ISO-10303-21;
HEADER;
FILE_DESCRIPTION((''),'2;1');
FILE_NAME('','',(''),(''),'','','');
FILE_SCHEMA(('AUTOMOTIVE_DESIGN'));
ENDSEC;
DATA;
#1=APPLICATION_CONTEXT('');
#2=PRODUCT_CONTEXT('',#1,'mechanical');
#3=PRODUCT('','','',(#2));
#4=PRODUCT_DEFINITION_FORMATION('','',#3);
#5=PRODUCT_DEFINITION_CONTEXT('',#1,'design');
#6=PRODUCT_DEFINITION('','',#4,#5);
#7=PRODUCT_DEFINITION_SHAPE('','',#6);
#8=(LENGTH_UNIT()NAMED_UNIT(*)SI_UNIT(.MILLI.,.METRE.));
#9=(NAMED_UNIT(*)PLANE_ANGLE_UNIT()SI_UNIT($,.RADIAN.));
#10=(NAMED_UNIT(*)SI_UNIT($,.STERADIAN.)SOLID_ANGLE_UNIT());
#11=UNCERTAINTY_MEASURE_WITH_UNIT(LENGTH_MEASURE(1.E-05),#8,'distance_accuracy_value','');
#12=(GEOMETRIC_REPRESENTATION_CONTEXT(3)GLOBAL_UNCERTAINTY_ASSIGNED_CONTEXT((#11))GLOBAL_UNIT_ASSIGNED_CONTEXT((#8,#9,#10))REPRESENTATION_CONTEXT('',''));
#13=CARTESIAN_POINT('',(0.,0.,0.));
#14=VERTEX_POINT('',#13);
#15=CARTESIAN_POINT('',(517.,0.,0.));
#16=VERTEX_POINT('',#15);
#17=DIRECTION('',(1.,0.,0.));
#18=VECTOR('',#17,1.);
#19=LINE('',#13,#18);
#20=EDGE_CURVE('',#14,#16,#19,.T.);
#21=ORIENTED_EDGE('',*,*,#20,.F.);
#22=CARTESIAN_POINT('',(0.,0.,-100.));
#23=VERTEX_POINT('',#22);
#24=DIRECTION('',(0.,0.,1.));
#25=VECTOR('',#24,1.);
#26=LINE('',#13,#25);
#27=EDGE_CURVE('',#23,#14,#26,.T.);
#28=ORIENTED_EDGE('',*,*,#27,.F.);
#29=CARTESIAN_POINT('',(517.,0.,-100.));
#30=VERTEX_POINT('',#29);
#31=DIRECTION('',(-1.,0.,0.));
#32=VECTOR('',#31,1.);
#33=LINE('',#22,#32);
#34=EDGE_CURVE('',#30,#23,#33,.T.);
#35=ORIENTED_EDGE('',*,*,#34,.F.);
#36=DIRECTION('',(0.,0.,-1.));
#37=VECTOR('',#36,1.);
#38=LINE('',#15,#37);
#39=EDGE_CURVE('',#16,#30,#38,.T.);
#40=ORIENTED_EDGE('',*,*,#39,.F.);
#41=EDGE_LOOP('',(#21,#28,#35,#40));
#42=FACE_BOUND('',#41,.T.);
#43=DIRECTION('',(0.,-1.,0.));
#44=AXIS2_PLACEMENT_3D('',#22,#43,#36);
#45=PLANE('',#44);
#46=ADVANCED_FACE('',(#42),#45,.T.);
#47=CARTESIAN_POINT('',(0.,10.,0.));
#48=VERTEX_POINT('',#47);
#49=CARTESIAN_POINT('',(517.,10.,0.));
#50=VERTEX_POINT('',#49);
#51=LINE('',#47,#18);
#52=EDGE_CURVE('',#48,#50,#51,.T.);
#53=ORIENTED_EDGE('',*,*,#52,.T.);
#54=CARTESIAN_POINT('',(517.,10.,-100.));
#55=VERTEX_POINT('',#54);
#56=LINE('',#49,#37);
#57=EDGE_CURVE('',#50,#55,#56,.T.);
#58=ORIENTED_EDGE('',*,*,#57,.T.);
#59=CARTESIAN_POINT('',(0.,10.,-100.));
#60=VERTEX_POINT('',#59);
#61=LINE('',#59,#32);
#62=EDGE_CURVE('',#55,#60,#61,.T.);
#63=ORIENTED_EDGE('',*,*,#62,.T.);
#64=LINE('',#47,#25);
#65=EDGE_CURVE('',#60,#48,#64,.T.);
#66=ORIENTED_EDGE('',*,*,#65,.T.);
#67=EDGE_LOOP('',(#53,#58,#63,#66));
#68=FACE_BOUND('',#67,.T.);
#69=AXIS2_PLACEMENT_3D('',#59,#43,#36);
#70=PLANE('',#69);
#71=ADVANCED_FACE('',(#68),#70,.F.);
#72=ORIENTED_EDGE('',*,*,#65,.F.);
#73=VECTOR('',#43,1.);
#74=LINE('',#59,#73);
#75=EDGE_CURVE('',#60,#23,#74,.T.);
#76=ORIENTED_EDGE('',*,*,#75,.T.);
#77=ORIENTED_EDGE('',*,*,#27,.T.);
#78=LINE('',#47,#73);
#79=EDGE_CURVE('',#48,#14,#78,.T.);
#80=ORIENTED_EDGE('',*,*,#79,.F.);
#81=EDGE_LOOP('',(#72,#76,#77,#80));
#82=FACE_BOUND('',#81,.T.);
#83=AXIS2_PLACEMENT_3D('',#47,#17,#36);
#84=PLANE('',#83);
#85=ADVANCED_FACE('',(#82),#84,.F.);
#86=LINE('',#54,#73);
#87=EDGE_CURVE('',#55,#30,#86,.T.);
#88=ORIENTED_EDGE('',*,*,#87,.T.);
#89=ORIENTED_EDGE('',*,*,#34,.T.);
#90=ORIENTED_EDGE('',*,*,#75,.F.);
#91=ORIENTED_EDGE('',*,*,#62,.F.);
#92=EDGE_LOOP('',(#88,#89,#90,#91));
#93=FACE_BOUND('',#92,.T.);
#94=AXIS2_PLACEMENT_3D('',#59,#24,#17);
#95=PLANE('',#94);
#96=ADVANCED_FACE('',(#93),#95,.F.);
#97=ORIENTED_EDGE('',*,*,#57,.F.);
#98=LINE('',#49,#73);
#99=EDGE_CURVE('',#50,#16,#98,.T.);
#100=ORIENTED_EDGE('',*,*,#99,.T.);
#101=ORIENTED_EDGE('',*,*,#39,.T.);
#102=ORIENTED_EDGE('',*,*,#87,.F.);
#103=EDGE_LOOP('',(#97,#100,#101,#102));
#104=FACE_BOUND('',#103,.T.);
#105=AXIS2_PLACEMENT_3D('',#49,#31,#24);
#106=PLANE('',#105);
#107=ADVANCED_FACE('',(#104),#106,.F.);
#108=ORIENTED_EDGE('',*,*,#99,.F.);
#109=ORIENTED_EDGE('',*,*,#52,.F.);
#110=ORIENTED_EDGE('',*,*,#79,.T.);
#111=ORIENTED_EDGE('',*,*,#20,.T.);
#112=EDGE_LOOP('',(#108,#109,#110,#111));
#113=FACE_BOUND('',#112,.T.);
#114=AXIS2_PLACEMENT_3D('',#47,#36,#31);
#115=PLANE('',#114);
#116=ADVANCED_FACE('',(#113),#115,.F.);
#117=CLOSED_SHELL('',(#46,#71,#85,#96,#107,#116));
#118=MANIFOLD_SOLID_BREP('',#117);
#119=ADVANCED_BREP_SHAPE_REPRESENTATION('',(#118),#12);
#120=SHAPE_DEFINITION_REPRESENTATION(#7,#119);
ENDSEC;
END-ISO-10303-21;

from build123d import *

# Parameters (mm, degrees)
ESQUISSE1_W      = 517
ESQUISSE1_H      = 100
EXTRUSION1_DEPTH = 10


with BuildPart() as part:
    # Esquisse1 → Extrusion1 (new body)
    with BuildSketch(Plane(origin=(0, 0, 0), x_dir=(1, 0, 0), z_dir=(0, 1, 0))):
        with Locations((258.5, 50)):
            Rectangle(ESQUISSE1_W, ESQUISSE1_H)
    extrude(amount=EXTRUSION1_DEPTH)


solid = part.part
